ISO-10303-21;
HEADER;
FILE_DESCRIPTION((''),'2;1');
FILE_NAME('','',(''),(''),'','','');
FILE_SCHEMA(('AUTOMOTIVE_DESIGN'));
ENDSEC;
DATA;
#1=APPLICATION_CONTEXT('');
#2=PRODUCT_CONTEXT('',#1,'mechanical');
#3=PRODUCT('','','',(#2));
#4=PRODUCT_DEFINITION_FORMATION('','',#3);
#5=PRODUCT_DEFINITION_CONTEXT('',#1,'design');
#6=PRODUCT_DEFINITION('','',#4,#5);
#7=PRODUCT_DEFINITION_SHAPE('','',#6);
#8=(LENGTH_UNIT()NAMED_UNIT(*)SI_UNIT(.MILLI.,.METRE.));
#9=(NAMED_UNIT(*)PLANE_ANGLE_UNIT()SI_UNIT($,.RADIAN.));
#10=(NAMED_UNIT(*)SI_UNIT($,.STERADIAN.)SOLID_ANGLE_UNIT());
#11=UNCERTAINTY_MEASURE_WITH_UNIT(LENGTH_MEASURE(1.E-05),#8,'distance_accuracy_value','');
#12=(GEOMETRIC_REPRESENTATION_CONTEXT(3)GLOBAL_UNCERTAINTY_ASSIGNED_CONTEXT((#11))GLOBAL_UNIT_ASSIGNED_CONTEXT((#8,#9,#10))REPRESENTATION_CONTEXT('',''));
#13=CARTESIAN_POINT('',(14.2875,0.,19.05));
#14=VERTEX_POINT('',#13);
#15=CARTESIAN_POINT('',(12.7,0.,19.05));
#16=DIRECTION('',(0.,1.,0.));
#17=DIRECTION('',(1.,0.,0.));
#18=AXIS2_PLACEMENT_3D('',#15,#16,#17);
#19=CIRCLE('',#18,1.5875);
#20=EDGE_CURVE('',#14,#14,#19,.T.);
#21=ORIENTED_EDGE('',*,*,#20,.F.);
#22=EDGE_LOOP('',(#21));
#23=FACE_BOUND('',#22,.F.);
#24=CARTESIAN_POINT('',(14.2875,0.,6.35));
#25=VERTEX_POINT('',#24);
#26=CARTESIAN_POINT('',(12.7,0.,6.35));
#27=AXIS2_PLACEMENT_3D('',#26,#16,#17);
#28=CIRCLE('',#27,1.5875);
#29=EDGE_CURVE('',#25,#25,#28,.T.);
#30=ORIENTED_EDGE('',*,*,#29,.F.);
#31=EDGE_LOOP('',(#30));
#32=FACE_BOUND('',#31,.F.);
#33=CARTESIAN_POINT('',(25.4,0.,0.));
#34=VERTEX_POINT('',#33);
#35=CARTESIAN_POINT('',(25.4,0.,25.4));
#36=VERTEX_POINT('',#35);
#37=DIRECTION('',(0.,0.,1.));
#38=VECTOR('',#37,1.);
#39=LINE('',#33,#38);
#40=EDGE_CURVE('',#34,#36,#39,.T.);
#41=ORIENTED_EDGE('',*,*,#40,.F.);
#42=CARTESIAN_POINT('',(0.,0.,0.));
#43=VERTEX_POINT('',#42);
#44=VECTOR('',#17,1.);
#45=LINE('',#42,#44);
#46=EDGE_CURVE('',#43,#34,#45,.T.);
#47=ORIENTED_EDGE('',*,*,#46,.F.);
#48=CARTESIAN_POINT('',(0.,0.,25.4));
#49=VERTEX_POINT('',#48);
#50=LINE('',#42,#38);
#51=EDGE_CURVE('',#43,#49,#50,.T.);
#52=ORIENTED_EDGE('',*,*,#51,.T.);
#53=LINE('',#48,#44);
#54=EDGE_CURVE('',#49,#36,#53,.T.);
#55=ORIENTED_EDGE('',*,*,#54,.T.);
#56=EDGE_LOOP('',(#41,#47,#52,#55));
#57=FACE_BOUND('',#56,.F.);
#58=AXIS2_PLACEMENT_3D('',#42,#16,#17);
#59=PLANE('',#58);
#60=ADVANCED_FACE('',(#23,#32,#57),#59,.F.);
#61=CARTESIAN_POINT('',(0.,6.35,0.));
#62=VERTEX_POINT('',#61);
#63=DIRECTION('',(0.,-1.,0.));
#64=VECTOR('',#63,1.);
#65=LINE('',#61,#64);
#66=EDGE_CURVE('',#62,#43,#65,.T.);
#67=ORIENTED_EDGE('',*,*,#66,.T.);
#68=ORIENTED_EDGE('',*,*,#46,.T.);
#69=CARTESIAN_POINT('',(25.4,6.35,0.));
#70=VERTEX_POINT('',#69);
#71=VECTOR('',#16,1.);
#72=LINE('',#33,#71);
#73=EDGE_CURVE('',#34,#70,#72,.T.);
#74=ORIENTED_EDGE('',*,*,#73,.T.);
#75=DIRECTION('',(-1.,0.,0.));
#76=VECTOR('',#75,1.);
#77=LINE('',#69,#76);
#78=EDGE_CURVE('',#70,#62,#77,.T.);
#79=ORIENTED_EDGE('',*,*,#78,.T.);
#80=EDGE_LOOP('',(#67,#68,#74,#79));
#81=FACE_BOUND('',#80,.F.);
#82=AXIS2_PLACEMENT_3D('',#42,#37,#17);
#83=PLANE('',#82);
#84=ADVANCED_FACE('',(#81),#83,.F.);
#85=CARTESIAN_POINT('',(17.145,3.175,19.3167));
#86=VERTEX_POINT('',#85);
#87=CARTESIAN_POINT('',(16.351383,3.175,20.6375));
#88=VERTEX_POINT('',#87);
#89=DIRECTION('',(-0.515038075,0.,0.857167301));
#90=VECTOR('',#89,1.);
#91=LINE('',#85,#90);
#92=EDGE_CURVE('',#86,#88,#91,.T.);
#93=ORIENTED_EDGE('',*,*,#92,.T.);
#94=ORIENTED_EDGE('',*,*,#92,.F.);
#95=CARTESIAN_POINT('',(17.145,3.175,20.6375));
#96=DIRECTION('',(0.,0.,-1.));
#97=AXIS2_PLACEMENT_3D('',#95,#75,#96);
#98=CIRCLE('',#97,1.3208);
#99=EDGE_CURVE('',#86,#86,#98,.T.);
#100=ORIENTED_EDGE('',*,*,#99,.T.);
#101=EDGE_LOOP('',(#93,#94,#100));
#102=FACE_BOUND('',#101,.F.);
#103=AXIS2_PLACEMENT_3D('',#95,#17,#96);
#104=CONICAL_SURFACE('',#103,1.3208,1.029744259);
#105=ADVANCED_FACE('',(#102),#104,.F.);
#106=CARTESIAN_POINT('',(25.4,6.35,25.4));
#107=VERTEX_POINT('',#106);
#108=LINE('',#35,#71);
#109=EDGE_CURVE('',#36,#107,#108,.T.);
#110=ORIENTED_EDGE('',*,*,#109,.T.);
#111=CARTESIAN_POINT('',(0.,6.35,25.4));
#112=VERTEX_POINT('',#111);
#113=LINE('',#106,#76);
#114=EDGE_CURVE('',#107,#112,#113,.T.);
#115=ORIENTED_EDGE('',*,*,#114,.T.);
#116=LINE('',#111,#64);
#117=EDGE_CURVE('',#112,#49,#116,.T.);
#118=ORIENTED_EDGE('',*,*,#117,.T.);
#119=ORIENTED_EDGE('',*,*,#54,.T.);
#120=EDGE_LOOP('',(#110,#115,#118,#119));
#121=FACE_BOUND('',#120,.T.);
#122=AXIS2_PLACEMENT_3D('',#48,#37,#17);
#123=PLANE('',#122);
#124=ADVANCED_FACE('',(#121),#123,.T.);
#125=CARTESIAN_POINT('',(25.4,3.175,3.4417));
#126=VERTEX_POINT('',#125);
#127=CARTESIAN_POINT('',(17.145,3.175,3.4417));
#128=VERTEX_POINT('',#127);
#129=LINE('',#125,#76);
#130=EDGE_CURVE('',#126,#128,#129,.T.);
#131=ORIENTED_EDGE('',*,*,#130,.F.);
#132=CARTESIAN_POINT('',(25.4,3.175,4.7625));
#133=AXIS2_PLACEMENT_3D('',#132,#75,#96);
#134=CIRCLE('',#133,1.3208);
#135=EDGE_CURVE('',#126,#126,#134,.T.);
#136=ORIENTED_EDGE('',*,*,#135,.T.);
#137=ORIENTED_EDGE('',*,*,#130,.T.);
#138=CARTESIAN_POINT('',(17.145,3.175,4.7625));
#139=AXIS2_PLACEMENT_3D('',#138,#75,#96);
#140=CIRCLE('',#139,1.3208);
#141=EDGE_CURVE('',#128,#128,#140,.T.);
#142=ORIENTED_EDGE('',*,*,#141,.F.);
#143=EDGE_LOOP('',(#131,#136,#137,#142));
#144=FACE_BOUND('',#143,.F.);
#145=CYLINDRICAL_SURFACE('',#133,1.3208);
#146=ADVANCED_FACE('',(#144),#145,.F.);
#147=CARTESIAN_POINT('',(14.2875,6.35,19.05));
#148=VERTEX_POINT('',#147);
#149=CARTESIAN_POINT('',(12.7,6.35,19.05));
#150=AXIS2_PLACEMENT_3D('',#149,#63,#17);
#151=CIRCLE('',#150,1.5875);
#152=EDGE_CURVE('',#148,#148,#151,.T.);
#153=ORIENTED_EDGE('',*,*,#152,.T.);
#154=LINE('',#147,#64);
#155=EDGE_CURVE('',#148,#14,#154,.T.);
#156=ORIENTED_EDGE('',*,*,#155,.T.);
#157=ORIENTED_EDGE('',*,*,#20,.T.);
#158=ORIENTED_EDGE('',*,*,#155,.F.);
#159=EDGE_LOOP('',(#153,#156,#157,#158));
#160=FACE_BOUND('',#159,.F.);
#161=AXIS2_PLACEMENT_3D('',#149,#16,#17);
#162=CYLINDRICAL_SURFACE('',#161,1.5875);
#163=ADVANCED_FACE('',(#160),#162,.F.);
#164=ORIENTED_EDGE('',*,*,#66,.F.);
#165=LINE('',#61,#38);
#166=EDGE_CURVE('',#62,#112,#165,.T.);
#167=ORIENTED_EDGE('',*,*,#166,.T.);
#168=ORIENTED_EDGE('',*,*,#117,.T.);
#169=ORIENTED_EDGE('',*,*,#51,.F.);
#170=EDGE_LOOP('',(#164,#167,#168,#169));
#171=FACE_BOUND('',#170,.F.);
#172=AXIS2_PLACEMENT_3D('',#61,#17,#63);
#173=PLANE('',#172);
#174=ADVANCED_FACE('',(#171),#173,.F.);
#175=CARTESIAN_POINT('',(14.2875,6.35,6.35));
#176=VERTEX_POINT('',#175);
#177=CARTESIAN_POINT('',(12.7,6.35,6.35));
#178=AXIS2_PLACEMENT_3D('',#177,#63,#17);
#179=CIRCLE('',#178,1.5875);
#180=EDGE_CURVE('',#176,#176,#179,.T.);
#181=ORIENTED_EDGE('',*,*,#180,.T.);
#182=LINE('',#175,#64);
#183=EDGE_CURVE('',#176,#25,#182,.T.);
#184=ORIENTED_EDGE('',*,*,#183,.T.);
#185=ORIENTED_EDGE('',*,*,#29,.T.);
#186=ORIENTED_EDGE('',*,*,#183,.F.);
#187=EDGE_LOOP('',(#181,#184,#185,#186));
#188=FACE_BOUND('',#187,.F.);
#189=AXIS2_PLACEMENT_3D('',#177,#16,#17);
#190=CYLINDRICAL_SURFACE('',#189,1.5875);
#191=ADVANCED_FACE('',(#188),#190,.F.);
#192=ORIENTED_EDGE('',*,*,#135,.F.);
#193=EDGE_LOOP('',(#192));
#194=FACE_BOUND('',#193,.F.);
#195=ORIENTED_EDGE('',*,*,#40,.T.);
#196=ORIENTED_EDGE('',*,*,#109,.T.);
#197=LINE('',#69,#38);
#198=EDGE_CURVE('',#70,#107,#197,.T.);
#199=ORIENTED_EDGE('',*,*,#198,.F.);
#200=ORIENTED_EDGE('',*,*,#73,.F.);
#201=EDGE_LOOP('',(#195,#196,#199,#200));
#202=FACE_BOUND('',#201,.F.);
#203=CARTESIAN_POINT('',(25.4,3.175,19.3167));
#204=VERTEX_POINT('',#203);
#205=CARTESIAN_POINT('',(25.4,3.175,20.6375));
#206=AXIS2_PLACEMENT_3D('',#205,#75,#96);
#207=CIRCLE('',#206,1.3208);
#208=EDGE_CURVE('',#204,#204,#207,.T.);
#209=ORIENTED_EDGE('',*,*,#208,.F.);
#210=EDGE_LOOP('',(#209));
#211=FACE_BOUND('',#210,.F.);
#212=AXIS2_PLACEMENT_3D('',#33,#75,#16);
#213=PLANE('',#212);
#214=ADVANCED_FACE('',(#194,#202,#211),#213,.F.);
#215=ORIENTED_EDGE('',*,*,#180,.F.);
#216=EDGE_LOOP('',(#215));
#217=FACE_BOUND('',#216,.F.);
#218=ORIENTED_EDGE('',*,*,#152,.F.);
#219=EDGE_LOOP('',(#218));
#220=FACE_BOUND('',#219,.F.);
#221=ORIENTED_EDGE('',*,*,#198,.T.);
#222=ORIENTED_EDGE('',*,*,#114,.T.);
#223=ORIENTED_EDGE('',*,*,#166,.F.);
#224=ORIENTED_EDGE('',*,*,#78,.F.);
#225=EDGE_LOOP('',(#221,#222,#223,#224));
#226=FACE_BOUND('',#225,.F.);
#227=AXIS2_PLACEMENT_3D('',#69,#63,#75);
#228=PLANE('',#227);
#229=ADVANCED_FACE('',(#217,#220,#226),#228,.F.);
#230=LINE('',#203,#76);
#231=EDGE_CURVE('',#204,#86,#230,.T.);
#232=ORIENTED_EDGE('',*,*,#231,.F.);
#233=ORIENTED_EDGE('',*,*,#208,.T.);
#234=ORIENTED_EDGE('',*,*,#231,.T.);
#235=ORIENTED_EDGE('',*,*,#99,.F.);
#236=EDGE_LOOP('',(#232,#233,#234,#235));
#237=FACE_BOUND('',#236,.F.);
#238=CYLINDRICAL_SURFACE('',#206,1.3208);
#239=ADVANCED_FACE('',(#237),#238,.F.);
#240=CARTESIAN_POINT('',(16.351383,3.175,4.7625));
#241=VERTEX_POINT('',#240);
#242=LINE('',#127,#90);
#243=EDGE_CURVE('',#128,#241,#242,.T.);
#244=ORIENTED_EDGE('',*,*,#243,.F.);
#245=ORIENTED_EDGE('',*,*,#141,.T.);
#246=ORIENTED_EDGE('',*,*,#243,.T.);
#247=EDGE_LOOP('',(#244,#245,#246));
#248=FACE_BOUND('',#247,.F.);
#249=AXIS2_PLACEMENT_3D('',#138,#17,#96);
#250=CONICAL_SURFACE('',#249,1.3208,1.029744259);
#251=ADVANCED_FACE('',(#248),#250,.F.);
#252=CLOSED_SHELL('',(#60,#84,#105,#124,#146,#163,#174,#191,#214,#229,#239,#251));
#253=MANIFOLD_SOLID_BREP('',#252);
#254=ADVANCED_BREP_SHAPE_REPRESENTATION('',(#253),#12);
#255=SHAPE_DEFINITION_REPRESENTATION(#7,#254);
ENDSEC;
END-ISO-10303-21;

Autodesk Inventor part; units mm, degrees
ref_plane "YZ Plane" through (0, 0, 0) normal (1, 0, 0) x (0, 1, 0)
ref_plane "XZ Plane" through (0, 0, 0) normal (0, 1, 0) x (-1, 0, 0)
ref_plane "XY Plane" through (0, 0, 0) normal (0, 0, 1) x (1, 0, 0)
sketch "Sketch1" plane through (0, 0, 0) normal (0, 0, 1) x (1, 0, 0)
  line L0 (0, 0) -> (25.4, 0)
  line L1 (25.4, 0) -> (25.4, 6.35)
  line L2 (25.4, 6.35) -> (0, 6.35)
  line L3 (0, 6.35) -> (0, 0)
  dimension "d0" = 25.4
  dimension "d1" = 6.35
extrude "Extrusion1" add sketch "Sketch1" along normal blind 25.4
sketch "Sketch2" plane through (0, 6.35, 0) normal (0, 1, 0) x (1, 0, 0)
  line L0 (0, 0) -> (25.4, 0) projected
  line L1 (12.7, 0) -> (12.7, -25.4)
  line L2 (0, -25.4) -> (25.4, -25.4) projected
  line L3 (0, 0) -> (0, -25.4) projected
  line L4 (0, -12.7) -> (25.4, -12.7)
  line L5 (25.4, 0) -> (25.4, -25.4) projected
  line L6 (12.7, -12.7) -> (12.7, -6.35)
  line L7 (12.7, -12.7) -> (12.7, -19.05)
  circle A0 centre (12.7, -6.35) radius 1.5875
  circle A1 centre (12.7, -19.05) radius 1.5875
  dimension "d4" = 6.35
  dimension "d5" = 6.35
  dimension "d6" = 3.175
  dimension "d7" = 3.175
extrude "Extrusion2" cut sketch "Sketch2" against normal blind 25.4 contours A0 L1 | L1 A0 | A1 L1 | L1 A1
sketch "Sketch3" plane through (25.4, 0, 0) normal (1, 0, 0) x (0, 0, -1)
  line L0 (-25.4, 0) -> (-25.4, 6.35) projected
  line L1 (-25.4, 3.175) -> (0, 3.175)
  line L2 (0, 0) -> (0, 6.35) projected
  line L3 (-20.6375, 6.35) -> (-20.6375, 0) projected
  line L4 (-20.6375, 6.35) -> (-20.6375, 3.175)
  line L5 (-4.7625, 6.35) -> (-4.7625, 0) projected
  line L6 (-4.7625, 6.35) -> (-4.7625, 3.175)
hole "Hole1" at (25.4, 3.175, 20.6375) at (25.4, 3.175, 4.7625) direction (-1, 0, 0) diameter 2.6416 depth 8.255 tip angle 118 thread size "6-32 UNC" class "2B" standard "ANSI Unified Screw Threads"
properties part number "ElectronicsPlateConnector"
